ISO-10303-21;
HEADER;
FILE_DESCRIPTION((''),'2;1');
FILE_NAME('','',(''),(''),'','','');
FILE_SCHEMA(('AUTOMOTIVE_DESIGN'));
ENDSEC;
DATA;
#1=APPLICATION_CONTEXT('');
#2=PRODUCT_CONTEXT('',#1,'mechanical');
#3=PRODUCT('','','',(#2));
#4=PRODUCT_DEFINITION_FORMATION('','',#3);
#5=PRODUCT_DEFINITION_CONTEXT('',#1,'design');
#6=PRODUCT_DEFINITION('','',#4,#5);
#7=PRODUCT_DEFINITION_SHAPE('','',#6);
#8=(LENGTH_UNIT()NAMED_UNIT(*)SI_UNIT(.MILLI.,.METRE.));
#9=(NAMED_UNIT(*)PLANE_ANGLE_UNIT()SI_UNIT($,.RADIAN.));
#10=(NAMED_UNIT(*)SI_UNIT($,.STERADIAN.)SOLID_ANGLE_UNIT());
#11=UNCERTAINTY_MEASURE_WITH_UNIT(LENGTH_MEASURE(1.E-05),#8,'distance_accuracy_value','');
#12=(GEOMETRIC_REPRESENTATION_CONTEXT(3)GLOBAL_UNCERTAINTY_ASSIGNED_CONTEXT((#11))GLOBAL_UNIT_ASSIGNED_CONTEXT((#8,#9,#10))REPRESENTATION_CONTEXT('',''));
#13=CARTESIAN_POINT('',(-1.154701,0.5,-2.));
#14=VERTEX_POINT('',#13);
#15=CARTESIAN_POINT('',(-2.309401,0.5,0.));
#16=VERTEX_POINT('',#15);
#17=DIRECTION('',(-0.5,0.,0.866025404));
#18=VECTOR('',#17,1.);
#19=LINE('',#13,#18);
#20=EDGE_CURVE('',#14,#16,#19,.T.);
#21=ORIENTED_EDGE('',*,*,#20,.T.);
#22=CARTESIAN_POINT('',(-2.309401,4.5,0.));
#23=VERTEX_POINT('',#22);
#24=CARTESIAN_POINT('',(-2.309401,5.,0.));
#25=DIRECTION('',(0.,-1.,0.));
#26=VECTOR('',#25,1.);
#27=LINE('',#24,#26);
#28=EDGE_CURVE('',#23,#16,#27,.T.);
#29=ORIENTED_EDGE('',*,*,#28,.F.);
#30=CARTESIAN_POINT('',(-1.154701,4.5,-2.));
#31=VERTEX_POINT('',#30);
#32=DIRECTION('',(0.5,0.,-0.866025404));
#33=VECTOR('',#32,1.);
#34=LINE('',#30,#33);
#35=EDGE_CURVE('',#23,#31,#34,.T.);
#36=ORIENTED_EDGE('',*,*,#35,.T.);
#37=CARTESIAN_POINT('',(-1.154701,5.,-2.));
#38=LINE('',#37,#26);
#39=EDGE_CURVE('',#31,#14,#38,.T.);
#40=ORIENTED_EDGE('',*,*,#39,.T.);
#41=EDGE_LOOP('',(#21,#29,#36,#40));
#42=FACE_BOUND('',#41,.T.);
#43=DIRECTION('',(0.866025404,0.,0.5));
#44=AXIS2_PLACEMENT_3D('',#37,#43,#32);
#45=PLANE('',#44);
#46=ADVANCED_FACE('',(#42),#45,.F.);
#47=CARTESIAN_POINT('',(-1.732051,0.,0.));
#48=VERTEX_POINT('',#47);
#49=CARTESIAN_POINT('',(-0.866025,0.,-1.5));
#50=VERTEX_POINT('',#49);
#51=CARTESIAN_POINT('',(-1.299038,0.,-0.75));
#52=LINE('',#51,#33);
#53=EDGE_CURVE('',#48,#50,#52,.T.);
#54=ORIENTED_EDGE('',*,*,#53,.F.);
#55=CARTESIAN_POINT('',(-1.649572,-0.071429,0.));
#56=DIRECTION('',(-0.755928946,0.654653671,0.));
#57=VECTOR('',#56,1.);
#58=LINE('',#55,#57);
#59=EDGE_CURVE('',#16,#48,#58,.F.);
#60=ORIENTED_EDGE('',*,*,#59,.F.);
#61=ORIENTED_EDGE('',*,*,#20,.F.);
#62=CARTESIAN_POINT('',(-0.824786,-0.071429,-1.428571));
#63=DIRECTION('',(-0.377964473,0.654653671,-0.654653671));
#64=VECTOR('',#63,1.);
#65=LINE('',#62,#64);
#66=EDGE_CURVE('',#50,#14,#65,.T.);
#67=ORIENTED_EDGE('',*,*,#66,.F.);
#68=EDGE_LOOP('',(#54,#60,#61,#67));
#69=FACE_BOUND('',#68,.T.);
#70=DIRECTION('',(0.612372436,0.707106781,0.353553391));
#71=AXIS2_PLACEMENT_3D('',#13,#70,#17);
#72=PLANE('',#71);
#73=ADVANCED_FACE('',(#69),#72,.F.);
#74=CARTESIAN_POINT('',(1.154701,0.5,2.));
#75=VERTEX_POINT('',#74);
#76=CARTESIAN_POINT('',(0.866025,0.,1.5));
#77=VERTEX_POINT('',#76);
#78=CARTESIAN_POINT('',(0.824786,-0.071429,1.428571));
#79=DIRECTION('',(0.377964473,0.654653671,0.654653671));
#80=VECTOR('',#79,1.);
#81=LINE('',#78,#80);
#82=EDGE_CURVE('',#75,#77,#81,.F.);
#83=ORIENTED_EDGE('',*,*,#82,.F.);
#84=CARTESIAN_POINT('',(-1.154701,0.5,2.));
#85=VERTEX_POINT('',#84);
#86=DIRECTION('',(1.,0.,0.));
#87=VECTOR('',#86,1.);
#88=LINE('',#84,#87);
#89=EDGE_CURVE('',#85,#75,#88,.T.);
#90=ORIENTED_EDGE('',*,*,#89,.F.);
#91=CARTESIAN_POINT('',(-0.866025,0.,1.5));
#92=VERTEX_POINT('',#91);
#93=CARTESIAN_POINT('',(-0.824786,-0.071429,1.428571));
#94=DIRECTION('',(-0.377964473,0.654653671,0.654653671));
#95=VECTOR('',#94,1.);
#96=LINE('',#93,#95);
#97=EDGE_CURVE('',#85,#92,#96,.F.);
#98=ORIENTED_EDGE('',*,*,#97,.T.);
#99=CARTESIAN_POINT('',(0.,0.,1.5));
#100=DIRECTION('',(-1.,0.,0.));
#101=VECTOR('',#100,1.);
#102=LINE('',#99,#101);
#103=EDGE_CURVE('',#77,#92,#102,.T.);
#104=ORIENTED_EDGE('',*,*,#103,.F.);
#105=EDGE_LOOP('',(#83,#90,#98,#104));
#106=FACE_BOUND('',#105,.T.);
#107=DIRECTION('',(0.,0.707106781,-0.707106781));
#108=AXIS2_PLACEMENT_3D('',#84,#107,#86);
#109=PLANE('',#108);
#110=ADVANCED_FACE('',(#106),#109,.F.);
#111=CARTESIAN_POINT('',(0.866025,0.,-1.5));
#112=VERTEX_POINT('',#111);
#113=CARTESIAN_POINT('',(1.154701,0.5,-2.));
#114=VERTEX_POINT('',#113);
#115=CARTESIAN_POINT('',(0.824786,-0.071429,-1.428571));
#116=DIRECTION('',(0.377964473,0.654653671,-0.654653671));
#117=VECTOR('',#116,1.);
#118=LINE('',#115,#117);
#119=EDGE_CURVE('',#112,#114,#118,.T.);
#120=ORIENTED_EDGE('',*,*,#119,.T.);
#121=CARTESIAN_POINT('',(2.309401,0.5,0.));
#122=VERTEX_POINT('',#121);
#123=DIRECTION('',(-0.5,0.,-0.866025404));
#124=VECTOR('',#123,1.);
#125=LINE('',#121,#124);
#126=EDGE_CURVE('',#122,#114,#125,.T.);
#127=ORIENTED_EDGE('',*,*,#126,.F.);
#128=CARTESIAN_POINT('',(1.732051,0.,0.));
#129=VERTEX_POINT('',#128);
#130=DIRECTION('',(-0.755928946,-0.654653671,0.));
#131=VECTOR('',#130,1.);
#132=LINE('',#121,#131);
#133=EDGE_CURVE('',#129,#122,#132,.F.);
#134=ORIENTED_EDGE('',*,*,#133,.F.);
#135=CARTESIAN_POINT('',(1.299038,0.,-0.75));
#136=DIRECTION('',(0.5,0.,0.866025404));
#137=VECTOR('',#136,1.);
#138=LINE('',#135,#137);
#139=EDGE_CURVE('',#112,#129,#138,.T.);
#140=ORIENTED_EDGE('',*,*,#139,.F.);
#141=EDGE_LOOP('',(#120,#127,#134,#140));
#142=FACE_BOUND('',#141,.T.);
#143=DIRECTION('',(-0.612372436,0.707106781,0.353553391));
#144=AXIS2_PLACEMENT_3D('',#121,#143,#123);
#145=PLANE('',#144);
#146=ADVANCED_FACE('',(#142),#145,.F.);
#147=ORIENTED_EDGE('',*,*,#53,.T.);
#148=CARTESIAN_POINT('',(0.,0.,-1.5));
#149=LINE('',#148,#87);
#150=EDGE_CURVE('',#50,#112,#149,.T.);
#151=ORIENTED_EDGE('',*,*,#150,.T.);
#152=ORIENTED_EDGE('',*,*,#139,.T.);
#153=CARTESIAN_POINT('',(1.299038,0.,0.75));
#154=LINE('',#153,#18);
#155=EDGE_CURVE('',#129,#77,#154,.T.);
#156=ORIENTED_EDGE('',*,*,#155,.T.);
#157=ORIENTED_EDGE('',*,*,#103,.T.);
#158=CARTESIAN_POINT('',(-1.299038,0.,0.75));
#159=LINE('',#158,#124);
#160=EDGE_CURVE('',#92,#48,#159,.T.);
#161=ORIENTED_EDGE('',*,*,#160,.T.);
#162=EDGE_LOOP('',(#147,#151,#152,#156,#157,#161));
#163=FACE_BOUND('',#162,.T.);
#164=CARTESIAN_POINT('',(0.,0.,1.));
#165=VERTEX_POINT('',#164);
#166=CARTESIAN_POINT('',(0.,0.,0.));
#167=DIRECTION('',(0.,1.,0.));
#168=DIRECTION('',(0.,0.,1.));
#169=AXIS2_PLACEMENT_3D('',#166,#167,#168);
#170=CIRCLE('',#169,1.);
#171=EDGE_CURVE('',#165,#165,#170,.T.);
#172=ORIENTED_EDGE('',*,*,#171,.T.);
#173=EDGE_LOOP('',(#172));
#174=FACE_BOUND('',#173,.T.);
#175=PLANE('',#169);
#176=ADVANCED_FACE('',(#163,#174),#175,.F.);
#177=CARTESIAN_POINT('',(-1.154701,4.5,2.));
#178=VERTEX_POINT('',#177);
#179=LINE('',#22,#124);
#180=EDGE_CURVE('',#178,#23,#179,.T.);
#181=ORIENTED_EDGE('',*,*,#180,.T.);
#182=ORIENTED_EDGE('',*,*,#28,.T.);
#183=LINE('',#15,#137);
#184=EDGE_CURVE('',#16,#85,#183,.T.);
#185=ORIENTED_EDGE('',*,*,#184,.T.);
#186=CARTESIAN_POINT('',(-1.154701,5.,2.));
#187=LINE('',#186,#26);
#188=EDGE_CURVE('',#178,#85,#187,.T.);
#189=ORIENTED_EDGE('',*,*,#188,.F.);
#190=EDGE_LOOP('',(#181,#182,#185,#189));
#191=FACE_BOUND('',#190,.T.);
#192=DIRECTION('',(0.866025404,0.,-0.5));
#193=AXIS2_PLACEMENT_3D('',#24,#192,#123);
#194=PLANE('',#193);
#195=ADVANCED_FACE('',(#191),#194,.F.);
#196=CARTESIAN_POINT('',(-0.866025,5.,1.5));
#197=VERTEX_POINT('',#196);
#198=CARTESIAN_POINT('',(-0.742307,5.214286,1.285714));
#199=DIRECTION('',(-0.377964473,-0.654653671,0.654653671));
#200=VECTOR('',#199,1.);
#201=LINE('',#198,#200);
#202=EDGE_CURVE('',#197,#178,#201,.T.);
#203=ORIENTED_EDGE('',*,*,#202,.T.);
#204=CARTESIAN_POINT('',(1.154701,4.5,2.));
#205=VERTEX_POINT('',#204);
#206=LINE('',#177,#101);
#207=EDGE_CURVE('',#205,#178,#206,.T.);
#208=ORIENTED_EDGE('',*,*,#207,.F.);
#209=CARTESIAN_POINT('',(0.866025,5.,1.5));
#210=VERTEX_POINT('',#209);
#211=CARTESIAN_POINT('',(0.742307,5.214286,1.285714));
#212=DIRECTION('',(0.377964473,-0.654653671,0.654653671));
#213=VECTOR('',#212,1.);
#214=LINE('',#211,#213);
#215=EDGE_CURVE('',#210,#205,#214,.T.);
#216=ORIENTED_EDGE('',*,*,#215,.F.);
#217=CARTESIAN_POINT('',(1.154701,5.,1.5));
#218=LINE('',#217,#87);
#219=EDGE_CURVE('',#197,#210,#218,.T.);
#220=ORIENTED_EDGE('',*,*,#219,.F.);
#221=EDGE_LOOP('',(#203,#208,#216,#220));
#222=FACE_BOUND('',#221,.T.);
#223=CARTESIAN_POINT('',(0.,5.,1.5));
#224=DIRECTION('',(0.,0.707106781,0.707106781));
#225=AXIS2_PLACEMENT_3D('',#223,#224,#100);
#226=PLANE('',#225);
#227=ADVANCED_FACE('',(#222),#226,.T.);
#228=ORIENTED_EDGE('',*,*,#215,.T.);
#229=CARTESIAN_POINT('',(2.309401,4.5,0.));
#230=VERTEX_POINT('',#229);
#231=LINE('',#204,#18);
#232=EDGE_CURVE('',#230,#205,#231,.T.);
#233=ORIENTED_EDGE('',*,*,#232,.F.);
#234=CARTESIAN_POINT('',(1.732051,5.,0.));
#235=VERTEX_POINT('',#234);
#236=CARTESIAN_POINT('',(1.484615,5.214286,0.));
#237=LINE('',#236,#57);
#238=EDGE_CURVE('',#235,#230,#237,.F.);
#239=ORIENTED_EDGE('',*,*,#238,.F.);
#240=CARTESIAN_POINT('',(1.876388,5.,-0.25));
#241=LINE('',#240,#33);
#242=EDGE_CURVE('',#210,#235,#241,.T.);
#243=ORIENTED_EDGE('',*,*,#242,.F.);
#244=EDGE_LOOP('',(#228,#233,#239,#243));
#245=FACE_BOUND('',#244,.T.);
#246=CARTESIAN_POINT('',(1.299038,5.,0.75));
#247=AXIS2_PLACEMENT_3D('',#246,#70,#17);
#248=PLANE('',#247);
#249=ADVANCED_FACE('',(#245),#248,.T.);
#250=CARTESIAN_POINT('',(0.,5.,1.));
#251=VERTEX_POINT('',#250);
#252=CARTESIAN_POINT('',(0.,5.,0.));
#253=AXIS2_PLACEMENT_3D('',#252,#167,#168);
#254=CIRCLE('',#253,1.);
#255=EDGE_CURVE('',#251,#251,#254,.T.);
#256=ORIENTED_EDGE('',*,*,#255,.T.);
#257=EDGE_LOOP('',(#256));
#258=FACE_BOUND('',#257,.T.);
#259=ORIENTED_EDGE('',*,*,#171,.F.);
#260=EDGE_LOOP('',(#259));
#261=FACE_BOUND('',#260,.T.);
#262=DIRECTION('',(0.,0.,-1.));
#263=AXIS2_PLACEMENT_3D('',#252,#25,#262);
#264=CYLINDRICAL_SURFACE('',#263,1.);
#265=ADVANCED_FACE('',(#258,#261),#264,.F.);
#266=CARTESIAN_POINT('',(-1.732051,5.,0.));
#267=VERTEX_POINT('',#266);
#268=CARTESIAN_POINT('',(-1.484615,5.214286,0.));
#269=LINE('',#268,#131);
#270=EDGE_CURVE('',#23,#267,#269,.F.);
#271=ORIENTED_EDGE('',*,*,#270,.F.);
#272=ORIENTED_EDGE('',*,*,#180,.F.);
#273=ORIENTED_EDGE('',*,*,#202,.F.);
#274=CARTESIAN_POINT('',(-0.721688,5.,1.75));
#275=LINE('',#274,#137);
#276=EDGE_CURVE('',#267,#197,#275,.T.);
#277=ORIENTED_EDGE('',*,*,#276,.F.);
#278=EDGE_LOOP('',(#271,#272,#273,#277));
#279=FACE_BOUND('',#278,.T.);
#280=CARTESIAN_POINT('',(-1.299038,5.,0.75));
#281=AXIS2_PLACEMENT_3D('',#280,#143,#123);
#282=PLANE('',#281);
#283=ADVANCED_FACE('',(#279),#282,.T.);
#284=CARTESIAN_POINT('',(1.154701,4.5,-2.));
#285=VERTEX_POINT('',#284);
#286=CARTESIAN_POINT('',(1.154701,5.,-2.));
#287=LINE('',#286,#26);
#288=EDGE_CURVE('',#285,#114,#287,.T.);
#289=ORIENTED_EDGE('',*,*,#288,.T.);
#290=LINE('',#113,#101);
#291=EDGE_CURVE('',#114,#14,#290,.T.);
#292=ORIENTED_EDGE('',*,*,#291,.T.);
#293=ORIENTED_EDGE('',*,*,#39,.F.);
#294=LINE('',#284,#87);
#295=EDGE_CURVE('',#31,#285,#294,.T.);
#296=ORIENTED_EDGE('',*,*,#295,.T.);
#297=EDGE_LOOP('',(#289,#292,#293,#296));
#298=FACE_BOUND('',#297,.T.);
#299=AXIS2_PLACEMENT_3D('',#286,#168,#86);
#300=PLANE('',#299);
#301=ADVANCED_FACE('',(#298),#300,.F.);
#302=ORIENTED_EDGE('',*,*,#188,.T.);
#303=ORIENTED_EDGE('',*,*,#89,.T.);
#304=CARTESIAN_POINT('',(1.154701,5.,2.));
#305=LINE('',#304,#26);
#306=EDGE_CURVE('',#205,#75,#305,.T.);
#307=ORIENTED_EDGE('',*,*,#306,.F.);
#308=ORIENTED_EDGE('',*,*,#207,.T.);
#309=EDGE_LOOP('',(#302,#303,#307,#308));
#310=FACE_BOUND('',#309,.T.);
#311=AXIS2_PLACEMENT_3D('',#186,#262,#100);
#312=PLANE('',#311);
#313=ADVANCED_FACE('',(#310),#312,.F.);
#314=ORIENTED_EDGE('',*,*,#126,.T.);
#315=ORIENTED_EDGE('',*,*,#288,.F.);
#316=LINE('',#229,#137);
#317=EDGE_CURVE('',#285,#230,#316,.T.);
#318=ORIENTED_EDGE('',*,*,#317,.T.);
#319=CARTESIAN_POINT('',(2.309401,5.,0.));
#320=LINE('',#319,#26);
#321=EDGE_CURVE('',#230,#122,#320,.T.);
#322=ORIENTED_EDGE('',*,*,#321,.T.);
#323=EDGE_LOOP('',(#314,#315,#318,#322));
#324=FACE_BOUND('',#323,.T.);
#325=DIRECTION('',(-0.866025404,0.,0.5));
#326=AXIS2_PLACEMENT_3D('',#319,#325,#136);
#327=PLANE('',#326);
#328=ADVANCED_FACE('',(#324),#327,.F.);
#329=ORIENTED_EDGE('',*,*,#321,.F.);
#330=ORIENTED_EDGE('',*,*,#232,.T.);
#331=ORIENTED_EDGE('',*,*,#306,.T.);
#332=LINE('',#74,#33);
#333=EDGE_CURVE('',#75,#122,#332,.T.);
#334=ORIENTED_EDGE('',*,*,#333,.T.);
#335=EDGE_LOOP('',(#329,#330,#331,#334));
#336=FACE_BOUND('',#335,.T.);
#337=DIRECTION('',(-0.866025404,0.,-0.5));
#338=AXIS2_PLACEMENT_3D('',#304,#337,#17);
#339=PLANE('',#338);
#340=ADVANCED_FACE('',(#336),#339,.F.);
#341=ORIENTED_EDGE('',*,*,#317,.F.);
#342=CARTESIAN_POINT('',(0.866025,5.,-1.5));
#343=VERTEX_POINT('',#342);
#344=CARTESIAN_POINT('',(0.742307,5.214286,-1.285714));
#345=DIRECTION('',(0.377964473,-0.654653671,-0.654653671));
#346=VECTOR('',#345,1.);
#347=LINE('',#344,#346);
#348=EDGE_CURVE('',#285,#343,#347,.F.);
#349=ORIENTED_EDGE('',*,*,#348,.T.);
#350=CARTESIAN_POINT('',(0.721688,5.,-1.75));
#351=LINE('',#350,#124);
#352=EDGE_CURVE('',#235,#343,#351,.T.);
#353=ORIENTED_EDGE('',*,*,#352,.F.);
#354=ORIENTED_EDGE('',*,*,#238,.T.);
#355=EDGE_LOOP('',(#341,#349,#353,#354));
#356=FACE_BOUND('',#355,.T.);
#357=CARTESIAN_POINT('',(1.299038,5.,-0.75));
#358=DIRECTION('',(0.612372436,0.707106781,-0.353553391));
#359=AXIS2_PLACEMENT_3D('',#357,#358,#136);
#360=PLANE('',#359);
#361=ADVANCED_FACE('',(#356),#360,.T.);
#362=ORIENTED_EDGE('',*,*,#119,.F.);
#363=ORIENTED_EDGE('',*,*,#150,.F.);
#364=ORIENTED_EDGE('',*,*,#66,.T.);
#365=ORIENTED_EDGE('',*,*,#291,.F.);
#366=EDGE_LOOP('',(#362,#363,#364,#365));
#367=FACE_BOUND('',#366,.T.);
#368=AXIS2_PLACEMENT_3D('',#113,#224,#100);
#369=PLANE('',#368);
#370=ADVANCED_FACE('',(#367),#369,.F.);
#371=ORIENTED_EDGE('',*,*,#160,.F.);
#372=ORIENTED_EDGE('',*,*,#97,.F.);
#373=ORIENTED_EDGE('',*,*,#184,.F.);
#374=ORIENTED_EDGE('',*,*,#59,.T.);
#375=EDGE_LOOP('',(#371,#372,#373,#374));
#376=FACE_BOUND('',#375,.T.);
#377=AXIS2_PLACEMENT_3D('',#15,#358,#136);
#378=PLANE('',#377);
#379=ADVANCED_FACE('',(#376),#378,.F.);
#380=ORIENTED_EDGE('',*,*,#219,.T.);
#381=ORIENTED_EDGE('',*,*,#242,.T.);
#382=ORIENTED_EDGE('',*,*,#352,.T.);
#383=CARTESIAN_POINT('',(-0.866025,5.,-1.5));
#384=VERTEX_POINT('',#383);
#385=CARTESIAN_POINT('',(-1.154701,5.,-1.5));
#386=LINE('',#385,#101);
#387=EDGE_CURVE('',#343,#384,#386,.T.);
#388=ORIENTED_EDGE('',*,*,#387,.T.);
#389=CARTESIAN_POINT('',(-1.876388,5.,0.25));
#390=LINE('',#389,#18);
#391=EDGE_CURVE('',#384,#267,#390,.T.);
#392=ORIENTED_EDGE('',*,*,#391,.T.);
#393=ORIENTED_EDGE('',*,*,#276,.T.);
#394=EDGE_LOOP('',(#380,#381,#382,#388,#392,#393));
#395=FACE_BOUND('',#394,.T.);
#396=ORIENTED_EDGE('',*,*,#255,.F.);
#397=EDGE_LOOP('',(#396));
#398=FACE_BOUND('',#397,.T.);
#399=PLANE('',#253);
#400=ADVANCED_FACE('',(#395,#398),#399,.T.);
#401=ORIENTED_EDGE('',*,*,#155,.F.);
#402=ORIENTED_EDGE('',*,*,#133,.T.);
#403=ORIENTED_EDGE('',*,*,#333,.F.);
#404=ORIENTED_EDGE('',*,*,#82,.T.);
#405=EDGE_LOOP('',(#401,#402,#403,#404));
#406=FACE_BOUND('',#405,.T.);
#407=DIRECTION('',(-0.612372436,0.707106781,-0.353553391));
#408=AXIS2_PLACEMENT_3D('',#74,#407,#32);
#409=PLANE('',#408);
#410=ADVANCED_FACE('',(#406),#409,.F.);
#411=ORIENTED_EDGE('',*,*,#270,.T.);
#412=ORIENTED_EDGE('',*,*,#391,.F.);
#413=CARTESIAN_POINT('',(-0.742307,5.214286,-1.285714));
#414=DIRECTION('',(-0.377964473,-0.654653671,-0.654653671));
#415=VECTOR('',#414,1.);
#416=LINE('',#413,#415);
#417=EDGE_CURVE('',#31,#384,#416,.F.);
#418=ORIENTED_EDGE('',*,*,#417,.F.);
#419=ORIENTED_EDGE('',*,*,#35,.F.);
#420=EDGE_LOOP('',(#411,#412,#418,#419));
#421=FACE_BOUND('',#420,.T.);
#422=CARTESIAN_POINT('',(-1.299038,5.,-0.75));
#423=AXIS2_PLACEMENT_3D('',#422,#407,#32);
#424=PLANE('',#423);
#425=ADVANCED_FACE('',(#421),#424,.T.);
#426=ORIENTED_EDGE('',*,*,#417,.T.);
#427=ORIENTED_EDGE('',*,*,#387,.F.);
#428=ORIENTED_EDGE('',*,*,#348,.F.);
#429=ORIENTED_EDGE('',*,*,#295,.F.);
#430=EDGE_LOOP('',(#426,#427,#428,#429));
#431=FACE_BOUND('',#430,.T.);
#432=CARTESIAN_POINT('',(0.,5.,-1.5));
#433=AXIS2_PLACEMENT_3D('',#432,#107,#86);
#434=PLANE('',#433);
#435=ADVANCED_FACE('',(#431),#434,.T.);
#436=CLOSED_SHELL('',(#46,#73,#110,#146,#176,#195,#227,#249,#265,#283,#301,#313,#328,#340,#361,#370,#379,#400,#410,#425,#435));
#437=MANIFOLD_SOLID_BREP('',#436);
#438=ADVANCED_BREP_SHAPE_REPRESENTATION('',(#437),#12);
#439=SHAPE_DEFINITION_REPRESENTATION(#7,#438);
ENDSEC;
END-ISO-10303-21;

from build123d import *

# Parameters (mm, degrees)
SKETCH_1_R      = 1
EXTRUDE_1_DEPTH = 5
CHAMFER_1_SIZE  = 0.5


with BuildPart() as part:
    # 草图1 → 凸台-拉伸1 (new body)
    with BuildSketch(Plane(origin=(0, 0, 0), x_dir=(1, 0, 0), z_dir=(0, 1, 0))):
        Polygon((-2.309401077, 0), (-1.154700538, -2), (1.154700538, -2), (2.309401077, 0), (1.154700538, 2), (-1.154700538, 2), align=None)
        with Locations(Location((0, 0, 0), (0, 0, 270))):
            Circle(SKETCH_1_R, mode=Mode.SUBTRACT)
    extrude(amount=EXTRUDE_1_DEPTH)

    # 倒角1
    chamfer_1_edges = [part.edges().sort_by_distance(p)[0] for p in [
        (0, 5, 2),
        (1.732050808, 5, 1),
        (1.732050808, 5, -1),
        (0, 5, -2),
        (-1.732050808, 5, -1),
        (0, 0, -2),
        (1.732050808, 0, -1),
        (1.732050808, 0, 1),
        (0, 0, 2),
        (-1.732050808, 0, 1),
        (-1.732050808, 0, -1),
        (-1.732050808, 5, 1),
    ]]
    chamfer(chamfer_1_edges, length=CHAMFER_1_SIZE)


solid = part.part
